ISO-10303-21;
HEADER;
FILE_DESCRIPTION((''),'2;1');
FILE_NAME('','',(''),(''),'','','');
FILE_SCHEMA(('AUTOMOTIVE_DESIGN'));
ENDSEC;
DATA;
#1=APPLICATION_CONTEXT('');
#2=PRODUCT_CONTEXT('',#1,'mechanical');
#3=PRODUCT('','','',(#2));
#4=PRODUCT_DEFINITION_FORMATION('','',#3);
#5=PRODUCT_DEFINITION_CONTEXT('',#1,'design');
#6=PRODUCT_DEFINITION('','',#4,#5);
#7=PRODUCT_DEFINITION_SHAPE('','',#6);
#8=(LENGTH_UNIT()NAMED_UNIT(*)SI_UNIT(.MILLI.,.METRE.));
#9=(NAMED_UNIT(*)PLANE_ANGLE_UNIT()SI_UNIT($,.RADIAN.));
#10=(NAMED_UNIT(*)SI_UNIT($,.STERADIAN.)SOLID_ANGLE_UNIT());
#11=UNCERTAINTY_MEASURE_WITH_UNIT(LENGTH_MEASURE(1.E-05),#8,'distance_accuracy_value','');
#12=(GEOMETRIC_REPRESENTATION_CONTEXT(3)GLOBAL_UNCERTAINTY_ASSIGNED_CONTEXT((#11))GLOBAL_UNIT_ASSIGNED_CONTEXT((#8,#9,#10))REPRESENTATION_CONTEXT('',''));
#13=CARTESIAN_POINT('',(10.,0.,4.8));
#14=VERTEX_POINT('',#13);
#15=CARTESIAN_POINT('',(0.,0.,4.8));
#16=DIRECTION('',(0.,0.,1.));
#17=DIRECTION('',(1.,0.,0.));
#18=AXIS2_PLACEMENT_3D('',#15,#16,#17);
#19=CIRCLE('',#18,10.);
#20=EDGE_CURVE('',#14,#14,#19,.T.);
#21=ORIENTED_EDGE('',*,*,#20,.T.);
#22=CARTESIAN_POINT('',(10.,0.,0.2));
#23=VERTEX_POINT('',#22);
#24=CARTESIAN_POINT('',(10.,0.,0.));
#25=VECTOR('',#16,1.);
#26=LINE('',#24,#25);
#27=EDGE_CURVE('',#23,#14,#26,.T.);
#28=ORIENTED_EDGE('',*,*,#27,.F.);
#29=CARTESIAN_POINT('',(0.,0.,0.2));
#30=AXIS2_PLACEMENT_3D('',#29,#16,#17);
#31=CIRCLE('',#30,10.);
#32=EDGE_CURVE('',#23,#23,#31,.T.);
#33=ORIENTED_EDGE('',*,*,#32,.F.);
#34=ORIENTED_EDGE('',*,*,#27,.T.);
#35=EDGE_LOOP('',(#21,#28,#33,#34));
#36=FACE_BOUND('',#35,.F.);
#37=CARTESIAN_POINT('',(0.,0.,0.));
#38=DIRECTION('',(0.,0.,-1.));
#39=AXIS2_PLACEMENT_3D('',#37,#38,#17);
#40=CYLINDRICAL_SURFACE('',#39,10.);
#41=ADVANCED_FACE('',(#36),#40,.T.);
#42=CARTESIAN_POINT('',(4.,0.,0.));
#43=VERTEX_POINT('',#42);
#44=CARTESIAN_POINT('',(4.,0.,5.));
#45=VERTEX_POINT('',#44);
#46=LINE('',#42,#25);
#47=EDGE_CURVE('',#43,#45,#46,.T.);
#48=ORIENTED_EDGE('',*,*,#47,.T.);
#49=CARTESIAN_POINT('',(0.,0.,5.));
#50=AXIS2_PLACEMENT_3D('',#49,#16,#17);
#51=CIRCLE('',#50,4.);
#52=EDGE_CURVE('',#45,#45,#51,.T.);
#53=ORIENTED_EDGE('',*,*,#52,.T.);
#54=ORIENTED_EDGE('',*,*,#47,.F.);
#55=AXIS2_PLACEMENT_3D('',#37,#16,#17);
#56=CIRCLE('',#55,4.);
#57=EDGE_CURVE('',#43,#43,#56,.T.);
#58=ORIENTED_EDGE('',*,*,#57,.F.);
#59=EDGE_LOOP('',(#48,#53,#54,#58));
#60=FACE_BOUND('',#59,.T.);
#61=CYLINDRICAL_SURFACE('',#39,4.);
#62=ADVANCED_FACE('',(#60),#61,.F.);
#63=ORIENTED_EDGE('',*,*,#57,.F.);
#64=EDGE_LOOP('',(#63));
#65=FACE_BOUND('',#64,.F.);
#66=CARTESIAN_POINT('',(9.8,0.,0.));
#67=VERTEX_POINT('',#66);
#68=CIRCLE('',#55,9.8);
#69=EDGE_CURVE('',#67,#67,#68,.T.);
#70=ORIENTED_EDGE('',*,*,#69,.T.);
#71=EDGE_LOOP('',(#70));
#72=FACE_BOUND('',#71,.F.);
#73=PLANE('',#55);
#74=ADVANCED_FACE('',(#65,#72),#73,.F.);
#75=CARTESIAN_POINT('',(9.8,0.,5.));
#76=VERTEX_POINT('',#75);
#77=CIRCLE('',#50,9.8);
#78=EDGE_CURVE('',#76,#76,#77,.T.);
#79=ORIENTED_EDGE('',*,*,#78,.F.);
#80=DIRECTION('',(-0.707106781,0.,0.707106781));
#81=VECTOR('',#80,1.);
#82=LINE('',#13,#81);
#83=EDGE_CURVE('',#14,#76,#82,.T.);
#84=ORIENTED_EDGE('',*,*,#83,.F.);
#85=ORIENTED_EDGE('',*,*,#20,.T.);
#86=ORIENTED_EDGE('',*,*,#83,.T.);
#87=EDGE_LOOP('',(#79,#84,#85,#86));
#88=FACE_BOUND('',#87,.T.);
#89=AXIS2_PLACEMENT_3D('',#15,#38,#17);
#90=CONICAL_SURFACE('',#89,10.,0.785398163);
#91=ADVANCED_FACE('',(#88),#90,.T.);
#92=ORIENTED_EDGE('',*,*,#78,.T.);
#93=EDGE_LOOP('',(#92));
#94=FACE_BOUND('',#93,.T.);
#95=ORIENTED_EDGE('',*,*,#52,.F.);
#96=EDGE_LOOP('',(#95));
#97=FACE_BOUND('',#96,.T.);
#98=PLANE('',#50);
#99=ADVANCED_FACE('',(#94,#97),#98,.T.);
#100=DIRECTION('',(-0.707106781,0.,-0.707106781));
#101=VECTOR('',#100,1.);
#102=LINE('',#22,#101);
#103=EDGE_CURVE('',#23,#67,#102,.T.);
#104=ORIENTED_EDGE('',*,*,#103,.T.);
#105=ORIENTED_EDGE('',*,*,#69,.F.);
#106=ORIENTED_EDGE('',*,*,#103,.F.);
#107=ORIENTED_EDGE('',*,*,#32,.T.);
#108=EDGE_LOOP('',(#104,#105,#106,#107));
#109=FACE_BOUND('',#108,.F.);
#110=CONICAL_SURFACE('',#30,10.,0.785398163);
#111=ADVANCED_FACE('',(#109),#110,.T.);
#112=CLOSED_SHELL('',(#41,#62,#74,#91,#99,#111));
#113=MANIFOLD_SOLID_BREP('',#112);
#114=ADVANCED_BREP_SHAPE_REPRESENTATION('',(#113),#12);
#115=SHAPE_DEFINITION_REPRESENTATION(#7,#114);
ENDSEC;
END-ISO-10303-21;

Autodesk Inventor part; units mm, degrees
ref_plane "YZ Plane" through (0, 0, 0) normal (1, 0, 0) x (0, 1, 0)
ref_plane "XZ Plane" through (0, 0, 0) normal (0, 1, 0) x (-1, 0, 0)
ref_plane "XY Plane" through (0, 0, 0) normal (0, 0, 1) x (1, 0, 0)
sketch "スケッチ1" plane through (0, 0, 0) normal (0, 0, 1) x (1, 0, 0)
  circle A0 centre (0, 0) radius 4
  circle A1 centre (0, 0) radius 10
  dimension "d0" = 8
  dimension "d1" = 20
extrude "押し出し1" add sketch "スケッチ1" along normal blind 5
chamfer "面取り1" distance 0.2 angle 45 2 edges at (-10, 0, 5) (-10, 0, 0)
properties part number "ベアリングフランジなし"
